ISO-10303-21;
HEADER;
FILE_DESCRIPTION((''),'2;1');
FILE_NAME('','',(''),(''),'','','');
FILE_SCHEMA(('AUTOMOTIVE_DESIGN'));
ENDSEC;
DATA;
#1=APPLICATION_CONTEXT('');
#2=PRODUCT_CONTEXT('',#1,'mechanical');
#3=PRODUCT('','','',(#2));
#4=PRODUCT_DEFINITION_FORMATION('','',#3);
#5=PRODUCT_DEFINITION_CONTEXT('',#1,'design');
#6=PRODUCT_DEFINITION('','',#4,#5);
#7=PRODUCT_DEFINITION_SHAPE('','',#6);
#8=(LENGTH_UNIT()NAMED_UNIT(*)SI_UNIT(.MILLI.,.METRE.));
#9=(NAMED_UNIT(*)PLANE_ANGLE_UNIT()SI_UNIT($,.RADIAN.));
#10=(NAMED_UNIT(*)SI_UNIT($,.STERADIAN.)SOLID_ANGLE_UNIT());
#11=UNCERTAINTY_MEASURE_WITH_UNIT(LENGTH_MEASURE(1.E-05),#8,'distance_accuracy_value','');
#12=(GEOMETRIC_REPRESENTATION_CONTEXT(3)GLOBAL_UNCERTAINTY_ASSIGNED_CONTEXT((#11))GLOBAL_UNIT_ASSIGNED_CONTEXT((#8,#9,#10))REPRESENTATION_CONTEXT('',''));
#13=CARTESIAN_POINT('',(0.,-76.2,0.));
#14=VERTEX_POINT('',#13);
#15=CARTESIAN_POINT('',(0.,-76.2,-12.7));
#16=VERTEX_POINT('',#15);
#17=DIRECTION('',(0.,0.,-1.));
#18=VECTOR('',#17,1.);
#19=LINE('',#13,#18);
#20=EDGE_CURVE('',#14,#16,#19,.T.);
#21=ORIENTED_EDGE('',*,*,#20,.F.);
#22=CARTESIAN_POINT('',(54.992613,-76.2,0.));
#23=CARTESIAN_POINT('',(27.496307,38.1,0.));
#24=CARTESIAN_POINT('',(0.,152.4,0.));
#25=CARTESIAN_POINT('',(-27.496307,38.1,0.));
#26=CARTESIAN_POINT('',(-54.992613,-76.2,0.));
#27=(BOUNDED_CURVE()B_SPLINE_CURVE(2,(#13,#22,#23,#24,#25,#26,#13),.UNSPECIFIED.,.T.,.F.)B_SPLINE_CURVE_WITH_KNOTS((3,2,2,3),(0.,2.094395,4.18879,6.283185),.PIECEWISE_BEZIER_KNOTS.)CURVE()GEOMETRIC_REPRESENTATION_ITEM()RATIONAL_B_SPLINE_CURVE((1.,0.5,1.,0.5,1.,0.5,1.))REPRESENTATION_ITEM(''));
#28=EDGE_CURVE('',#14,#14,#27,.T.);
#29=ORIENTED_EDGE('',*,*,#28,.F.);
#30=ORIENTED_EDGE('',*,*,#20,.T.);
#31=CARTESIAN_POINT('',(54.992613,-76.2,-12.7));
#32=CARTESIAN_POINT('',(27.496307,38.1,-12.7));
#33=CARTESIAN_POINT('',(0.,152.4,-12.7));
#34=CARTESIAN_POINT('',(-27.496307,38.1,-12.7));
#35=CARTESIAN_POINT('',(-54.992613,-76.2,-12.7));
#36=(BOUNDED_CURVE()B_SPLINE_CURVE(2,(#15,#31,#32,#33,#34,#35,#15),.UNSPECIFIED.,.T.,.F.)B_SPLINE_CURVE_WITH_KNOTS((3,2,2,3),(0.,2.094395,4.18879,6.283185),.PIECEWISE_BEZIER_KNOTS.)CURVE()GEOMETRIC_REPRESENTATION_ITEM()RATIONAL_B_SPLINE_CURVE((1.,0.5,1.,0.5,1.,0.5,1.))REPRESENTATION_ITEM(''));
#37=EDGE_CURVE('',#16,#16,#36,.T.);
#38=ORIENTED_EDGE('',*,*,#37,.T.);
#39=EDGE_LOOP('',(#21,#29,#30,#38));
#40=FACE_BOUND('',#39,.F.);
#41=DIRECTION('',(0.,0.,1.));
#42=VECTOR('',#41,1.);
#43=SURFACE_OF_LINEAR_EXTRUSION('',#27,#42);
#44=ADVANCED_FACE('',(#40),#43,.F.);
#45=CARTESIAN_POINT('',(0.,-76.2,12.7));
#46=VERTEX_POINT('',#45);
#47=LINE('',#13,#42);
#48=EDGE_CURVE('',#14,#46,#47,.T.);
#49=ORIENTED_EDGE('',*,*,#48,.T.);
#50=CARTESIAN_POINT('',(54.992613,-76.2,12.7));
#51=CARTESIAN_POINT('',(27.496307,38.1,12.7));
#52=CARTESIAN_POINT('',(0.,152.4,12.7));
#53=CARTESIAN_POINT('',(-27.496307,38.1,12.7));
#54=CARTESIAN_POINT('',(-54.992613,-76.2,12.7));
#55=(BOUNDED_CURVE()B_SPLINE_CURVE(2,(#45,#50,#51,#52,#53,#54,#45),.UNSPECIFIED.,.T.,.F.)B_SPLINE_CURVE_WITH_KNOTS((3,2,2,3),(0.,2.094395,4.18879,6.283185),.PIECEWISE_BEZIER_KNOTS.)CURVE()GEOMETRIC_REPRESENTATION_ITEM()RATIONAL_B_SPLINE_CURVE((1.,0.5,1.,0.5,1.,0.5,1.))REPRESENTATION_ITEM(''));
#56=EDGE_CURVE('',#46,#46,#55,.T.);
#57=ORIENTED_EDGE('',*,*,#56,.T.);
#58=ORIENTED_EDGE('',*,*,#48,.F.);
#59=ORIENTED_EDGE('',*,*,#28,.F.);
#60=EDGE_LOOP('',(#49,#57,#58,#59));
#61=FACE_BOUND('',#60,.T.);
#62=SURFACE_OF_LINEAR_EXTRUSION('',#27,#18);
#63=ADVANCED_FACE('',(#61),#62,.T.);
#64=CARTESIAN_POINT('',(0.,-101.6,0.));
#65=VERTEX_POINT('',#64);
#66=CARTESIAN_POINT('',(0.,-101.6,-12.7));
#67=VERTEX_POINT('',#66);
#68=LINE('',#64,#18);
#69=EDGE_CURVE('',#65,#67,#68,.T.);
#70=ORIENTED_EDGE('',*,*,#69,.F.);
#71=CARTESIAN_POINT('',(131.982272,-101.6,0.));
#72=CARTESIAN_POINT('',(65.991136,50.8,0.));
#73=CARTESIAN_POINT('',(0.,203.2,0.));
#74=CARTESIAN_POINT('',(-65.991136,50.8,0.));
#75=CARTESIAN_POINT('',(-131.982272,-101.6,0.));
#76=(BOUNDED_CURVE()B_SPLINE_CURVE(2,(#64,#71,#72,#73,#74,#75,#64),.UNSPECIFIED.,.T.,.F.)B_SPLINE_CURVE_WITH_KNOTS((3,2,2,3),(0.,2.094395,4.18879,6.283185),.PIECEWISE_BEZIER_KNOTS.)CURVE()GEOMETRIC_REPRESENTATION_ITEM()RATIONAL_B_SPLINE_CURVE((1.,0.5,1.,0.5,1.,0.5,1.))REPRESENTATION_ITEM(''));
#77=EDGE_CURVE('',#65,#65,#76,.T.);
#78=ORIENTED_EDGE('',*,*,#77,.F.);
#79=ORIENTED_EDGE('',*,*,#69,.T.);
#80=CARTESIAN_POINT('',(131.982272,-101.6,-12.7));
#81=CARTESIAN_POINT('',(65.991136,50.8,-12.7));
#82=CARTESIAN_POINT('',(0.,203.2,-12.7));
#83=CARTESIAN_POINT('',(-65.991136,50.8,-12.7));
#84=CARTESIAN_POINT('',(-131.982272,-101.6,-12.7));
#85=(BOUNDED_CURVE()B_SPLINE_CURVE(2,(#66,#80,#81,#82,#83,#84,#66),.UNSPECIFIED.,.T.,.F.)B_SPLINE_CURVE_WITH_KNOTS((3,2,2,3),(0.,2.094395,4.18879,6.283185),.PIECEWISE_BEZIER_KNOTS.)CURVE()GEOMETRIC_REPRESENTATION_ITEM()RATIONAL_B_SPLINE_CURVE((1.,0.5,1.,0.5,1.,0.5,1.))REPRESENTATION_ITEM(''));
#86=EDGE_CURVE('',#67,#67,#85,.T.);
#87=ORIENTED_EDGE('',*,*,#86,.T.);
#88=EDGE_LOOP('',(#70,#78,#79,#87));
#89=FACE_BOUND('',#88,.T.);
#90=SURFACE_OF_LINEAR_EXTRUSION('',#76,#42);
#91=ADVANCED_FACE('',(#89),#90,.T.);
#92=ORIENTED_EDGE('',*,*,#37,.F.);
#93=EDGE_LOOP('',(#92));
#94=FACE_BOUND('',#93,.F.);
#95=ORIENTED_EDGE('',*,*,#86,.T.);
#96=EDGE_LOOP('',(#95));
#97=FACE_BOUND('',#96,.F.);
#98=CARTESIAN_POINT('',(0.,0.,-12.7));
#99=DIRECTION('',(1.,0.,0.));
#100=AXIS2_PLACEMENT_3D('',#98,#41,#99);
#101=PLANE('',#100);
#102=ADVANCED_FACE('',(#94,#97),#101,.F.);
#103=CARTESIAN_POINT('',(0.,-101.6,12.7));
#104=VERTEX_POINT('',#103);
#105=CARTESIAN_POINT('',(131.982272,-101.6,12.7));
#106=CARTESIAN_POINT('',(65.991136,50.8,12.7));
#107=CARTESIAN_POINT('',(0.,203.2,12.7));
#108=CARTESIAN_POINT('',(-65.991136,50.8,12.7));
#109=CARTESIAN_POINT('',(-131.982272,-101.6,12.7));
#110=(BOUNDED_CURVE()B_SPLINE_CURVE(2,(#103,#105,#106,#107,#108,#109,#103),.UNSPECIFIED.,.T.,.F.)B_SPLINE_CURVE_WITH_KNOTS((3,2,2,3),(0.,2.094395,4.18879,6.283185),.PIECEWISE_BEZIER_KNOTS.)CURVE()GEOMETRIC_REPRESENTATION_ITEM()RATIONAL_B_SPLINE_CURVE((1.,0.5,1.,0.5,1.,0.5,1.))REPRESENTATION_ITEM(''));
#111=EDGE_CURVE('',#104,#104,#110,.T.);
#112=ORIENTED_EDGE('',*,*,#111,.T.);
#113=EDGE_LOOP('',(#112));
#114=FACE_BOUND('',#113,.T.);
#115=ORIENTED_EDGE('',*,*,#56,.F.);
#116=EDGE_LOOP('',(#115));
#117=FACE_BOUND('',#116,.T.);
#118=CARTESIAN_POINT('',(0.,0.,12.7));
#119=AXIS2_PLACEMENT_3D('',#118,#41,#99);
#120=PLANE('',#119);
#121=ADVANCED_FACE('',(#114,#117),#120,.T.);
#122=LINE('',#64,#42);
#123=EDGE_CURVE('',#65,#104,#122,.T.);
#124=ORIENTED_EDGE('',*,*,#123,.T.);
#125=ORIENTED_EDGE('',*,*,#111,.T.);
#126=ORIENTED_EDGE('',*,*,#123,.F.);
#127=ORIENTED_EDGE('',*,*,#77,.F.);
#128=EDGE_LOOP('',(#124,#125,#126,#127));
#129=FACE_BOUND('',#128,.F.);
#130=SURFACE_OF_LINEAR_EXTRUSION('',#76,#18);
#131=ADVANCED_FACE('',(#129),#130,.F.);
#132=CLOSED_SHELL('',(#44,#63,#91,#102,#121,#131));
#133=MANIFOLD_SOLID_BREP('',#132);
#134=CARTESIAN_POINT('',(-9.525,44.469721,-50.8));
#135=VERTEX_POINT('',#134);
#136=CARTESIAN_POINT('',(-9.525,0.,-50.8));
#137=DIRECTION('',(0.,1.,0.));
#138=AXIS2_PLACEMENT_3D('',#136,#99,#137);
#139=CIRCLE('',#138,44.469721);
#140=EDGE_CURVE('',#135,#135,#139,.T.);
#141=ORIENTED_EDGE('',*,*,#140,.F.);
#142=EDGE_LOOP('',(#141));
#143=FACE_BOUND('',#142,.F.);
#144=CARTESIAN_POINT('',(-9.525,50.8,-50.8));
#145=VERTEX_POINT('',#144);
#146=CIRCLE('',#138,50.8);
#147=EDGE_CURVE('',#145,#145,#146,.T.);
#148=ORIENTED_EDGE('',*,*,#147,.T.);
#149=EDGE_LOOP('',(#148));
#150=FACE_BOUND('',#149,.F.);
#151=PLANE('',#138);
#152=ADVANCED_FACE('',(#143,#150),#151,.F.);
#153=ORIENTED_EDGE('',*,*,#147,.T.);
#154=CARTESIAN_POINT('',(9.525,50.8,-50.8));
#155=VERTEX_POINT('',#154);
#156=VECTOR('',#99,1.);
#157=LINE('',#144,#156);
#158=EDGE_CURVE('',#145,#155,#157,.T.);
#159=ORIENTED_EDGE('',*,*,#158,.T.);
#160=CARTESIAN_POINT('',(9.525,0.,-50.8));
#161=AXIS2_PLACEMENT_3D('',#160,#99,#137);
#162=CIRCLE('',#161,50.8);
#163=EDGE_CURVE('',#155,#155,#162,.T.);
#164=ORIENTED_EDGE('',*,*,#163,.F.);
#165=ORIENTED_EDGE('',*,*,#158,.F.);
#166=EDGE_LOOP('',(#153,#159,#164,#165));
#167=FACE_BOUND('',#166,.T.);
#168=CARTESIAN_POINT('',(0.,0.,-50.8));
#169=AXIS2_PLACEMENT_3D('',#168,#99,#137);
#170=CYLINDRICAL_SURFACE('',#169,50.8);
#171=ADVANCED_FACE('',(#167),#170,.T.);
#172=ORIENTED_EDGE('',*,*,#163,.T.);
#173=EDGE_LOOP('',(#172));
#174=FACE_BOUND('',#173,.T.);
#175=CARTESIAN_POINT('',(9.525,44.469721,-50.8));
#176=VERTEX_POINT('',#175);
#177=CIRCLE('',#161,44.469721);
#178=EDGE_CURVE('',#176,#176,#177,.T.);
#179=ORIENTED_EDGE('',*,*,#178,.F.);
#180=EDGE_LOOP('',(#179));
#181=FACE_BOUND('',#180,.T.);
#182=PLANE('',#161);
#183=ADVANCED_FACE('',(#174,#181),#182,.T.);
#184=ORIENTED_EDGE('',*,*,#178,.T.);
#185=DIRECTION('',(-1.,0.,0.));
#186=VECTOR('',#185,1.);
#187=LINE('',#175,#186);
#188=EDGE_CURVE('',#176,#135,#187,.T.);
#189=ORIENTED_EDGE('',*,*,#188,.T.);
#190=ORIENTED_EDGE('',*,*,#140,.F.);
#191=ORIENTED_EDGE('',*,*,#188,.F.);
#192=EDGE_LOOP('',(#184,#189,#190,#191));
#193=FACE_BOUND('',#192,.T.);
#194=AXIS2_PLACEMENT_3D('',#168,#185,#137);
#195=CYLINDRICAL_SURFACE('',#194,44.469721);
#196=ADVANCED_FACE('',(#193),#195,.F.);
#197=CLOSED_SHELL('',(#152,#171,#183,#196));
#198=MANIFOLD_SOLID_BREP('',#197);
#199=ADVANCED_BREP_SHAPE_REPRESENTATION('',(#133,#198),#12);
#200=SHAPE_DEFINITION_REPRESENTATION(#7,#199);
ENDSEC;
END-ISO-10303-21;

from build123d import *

# Parameters (mm, degrees)
F1_DEPTH = 12.7
F2_R     = 50.8
F2_R_2   = 44.469721
F3_DEPTH = 9.525


with BuildPart() as f1:
    # F0 (on Top) → F1 (new body, symmetric)
    with BuildSketch(Plane.XY):
        with BuildLine():
            add(Edge.make_bspline(
                [(0, -101.6), (131.982272, -101.6), (65.991136, 50.8), (0, 203.2), (-65.991136, 50.8), (-131.982272, -101.6), (0, -101.6)],
                knots=[0, 0, 0, 2.094395, 2.094395, 4.18879, 4.18879, 6.283185, 6.283185, 6.283185], degree=2, weights=[1, 0.5, 1, 0.5, 1, 0.5, 1]))
        make_face()
        with BuildLine():
            add(Edge.make_bspline(
                [(0, -76.2), (54.992613, -76.2), (27.496307, 38.1), (0, 152.4), (-27.496307, 38.1), (-54.992613, -76.2), (0, -76.2)],
                knots=[0, 0, 0, 2.094395, 2.094395, 4.18879, 4.18879, 6.283185, 6.283185, 6.283185], degree=2, weights=[1, 0.5, 1, 0.5, 1, 0.5, 1]))
        make_face(mode=Mode.SUBTRACT)
    extrude(amount=F1_DEPTH, both=True)


with BuildPart() as f3:
    # F2 (on Right) → F3 (new body, symmetric)
    with BuildSketch(Plane.YZ):
        with Locations((0, -50.8)):
            Circle(F2_R)
        with Locations((0, -50.8)):
            Circle(F2_R_2, mode=Mode.SUBTRACT)
    extrude(amount=F3_DEPTH, both=True)


solid = Compound([f1.part, f3.part])
